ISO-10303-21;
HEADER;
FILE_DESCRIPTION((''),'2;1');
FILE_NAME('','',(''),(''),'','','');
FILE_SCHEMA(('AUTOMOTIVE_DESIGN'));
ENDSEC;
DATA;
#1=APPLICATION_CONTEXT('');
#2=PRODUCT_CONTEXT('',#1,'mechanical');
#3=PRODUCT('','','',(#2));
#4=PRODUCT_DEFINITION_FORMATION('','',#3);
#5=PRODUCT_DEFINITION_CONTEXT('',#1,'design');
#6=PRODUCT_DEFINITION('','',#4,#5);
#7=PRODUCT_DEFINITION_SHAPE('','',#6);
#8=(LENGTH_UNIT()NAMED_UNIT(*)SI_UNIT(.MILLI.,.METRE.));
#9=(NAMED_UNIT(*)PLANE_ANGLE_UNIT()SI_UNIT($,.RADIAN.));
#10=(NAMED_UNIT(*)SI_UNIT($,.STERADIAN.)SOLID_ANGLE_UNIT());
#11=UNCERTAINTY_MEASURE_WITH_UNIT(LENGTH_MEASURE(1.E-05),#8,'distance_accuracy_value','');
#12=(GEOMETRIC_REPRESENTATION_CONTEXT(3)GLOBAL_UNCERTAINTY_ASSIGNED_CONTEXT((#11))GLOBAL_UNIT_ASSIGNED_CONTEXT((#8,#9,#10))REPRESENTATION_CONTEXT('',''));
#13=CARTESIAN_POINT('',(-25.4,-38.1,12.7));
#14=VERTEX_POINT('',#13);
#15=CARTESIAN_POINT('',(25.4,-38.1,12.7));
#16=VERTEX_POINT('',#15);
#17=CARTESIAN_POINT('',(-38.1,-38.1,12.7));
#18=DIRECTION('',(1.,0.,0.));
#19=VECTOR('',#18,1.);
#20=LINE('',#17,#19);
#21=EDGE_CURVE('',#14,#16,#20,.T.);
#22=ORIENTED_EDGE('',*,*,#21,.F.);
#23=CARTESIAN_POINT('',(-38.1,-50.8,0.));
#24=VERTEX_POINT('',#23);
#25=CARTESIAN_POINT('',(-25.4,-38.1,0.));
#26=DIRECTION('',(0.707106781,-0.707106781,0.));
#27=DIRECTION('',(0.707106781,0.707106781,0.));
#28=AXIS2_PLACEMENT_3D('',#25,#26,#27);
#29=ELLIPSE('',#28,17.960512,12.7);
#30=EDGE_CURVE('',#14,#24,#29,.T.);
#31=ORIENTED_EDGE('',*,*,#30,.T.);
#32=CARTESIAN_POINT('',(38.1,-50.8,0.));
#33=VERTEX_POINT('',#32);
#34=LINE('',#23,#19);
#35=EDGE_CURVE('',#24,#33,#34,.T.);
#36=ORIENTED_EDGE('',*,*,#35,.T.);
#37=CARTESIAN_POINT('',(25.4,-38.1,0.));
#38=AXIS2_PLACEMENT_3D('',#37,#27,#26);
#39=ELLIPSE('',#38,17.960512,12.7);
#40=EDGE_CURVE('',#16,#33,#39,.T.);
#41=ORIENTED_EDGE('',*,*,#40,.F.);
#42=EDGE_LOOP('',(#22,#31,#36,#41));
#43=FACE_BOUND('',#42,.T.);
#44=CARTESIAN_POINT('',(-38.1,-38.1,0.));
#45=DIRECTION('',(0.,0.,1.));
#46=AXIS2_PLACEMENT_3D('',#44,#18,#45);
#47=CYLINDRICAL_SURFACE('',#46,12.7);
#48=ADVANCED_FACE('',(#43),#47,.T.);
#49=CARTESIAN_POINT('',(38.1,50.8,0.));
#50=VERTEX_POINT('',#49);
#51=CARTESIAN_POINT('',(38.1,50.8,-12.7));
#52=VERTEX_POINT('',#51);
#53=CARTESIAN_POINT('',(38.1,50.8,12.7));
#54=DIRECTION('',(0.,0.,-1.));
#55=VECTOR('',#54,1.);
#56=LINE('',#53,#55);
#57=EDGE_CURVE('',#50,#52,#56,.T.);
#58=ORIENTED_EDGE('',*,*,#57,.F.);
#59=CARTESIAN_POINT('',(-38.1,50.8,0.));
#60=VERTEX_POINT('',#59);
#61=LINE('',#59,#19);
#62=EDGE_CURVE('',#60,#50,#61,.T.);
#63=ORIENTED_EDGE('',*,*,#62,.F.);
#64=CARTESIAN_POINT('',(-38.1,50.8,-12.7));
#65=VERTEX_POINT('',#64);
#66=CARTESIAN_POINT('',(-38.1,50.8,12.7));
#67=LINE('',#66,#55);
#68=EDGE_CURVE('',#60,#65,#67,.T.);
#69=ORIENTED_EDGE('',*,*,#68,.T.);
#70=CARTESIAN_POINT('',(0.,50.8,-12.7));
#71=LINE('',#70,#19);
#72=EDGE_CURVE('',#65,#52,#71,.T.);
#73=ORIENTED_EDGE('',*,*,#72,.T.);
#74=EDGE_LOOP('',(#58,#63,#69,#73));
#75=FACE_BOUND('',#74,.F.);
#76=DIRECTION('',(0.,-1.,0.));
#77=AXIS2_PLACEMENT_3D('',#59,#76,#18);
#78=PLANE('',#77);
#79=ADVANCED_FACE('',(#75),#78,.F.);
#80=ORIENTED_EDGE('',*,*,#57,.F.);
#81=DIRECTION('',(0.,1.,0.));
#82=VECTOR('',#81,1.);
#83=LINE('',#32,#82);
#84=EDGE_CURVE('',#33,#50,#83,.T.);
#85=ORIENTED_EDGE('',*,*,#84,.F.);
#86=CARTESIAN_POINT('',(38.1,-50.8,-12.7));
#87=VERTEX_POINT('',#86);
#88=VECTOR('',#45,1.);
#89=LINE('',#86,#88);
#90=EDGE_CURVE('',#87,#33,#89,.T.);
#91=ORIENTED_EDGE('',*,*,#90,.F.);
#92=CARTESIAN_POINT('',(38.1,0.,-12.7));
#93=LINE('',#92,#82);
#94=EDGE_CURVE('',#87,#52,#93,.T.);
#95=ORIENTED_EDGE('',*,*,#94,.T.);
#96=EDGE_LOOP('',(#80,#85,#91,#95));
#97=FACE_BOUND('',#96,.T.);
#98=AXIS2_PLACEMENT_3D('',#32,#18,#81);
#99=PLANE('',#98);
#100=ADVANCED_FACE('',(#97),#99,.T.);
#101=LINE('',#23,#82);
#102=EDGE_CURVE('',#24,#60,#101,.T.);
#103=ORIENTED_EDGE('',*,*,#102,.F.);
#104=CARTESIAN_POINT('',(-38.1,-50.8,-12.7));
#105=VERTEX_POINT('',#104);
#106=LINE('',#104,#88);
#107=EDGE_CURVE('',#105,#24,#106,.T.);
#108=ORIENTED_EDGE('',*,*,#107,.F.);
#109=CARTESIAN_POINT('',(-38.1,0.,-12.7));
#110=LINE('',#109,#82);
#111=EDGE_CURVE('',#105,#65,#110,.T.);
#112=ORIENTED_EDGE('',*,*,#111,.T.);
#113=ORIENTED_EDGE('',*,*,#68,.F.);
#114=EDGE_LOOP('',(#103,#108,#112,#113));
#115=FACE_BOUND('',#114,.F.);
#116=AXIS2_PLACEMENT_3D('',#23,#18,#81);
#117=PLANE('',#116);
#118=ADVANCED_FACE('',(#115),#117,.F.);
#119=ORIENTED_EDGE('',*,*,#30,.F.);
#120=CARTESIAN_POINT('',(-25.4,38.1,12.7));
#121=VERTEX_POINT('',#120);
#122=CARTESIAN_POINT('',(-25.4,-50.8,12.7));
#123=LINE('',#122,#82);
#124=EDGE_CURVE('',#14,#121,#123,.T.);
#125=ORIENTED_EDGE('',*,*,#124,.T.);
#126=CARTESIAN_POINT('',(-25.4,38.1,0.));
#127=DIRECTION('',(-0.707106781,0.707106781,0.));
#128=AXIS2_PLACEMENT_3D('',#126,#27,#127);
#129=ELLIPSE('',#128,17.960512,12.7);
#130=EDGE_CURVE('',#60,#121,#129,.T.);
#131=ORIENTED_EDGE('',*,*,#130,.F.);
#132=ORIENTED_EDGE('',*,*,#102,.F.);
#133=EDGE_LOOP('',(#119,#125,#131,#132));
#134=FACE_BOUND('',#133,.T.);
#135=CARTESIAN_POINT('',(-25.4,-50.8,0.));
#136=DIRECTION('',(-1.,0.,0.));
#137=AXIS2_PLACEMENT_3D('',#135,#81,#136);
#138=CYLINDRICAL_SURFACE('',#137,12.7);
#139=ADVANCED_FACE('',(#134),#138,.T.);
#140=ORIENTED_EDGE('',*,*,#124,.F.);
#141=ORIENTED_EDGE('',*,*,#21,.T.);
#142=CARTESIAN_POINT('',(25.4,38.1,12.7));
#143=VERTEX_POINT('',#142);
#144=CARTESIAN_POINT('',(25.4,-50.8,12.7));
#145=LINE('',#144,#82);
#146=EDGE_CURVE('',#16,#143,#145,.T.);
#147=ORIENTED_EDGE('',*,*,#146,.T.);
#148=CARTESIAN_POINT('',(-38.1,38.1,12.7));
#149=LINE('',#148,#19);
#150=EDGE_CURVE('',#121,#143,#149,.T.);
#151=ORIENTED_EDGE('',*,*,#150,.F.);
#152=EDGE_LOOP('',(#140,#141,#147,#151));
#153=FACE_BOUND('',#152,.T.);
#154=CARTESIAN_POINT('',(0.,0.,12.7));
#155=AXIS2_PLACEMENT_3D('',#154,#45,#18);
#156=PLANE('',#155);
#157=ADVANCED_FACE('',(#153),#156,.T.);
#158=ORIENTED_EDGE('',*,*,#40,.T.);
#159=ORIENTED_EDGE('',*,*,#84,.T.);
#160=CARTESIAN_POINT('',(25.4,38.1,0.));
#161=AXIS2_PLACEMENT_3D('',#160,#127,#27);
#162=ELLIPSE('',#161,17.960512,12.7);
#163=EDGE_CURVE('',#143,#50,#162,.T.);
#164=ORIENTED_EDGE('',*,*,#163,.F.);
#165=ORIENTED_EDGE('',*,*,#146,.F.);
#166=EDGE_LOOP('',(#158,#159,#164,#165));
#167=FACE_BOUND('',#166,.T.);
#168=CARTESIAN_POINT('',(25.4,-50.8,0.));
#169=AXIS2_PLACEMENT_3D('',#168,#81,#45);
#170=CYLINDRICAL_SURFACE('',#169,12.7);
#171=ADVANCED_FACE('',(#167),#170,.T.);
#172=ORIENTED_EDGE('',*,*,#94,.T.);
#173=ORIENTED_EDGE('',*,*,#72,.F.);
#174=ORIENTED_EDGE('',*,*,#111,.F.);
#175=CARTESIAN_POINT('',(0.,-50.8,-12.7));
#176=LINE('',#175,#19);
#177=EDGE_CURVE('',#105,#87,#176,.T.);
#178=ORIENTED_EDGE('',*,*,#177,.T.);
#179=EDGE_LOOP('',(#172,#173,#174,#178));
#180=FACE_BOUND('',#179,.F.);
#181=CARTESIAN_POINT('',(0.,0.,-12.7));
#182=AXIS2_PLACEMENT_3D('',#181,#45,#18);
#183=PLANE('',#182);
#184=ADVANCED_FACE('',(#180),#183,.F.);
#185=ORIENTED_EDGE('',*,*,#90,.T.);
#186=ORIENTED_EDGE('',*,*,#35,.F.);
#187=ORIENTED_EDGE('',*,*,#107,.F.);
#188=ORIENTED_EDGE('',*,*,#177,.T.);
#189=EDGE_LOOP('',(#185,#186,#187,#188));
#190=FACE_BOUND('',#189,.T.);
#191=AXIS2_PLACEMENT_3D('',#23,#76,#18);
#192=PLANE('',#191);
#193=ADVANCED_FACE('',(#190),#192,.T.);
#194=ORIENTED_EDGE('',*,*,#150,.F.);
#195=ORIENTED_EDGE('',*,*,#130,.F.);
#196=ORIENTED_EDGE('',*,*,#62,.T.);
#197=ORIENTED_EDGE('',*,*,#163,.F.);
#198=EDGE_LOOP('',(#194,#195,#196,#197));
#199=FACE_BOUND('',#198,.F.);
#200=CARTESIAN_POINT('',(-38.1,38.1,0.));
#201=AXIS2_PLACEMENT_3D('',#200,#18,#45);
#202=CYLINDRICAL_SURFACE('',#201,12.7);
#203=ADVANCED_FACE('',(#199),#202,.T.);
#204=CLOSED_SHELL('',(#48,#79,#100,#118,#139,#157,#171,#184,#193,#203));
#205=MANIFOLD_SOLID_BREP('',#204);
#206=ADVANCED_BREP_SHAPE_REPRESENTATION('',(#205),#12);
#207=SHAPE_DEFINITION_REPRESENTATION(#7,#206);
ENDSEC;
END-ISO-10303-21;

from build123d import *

# Parameters (mm, degrees)
F0_W     = 76.2
F0_H     = 101.6
F1_DEPTH = 12.7
F2_R     = 12.7


with BuildPart() as f1:
    # F0 (on Top) → F1 (new body, symmetric)
    with BuildSketch(Plane.XY):
        Rectangle(F0_W, F0_H)
    extrude(amount=F1_DEPTH, both=True)

    # F2
    f2_edges = [f1.edges().sort_by_distance(p)[0] for p in [
        (0, -50.8, 12.7),
        (38.1, 0, 12.7),
        (-38.1, 0, 12.7),
        (0, 50.8, 12.7),
    ]]
    fillet(f2_edges, radius=F2_R)


solid = f1.part
